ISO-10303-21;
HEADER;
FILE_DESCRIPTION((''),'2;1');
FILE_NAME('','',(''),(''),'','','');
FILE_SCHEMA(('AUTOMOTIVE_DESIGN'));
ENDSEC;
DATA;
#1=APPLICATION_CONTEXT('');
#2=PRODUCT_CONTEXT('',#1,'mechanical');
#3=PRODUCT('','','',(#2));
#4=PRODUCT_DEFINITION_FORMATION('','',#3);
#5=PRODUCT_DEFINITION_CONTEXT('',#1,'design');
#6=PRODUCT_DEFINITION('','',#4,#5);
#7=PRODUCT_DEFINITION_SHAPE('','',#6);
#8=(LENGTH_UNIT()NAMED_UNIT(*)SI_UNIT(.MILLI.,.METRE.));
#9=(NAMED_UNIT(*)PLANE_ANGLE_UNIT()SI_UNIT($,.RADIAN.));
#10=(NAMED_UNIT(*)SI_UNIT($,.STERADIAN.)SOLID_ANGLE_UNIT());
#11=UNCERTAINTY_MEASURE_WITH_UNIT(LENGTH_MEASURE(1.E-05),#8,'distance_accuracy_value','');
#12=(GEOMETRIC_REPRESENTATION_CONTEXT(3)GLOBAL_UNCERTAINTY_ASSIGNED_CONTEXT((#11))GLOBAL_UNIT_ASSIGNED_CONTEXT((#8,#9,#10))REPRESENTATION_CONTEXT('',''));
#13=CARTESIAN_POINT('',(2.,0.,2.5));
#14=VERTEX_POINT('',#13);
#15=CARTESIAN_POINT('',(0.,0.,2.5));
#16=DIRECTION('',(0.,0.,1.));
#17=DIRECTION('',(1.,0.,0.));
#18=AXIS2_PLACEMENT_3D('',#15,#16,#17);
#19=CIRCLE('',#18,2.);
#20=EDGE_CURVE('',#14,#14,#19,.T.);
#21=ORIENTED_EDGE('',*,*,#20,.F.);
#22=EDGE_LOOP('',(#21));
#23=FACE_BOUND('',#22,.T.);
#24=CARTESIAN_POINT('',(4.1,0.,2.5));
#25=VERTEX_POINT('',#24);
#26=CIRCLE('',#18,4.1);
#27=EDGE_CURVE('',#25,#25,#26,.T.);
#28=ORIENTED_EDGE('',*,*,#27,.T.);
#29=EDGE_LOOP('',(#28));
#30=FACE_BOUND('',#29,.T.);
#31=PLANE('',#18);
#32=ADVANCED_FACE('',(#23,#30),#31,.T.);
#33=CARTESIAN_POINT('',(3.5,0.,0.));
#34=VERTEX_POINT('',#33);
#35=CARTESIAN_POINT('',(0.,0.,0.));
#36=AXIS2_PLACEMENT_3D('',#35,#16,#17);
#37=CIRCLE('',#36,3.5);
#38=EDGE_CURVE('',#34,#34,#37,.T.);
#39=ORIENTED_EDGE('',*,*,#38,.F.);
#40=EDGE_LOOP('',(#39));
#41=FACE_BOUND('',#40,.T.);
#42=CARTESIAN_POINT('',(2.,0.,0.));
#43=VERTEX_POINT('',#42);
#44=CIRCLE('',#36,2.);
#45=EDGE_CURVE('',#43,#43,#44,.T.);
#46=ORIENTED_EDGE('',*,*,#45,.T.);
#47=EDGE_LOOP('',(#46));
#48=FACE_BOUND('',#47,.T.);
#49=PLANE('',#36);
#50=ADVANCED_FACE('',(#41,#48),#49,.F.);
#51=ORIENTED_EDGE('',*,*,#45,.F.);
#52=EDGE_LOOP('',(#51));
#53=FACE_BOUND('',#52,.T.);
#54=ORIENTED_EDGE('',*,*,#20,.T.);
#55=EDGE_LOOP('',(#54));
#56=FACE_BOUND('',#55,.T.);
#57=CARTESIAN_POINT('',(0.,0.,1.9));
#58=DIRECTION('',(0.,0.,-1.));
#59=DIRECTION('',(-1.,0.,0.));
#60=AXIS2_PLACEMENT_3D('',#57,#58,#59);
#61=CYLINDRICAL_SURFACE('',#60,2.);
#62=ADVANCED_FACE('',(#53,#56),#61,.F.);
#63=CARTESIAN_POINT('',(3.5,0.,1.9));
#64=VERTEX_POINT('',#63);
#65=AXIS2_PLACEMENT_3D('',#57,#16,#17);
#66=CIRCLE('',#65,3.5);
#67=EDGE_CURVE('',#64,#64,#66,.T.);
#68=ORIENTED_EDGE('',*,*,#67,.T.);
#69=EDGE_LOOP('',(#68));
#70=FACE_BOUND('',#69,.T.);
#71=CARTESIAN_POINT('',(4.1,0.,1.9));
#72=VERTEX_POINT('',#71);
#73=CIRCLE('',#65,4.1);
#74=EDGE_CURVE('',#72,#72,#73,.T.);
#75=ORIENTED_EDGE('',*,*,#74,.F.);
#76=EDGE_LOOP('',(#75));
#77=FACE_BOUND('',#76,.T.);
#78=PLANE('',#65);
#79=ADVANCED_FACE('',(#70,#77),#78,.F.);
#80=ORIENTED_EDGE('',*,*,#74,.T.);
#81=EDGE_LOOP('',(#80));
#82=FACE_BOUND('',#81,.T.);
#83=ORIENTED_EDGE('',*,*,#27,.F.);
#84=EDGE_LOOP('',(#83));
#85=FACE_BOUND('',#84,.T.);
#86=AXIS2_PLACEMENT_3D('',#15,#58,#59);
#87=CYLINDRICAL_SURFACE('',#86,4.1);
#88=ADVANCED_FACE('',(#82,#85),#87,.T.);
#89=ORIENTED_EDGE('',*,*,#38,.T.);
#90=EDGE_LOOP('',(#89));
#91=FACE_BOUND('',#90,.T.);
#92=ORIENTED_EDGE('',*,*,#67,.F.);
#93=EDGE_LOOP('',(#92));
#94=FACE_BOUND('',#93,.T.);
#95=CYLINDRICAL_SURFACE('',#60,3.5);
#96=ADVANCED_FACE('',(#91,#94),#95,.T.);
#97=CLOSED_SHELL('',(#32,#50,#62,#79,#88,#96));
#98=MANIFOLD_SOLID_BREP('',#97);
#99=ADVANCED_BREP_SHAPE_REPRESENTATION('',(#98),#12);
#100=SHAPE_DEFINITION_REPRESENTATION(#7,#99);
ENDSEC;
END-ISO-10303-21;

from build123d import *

# Parameters (mm, degrees)
SKETCH_1_R      = 3.5
SKETCH_1_R_2    = 2
EXTRUDE_1_DEPTH = 1.9
SKETCH_2_R      = 4.1
SKETCH_2_R_2    = 2
EXTRUDE_3_DEPTH = 0.6


with BuildPart() as part:
    # 草图1 → 凸台-拉伸1 (new body)
    with BuildSketch(Plane.XY):
        Circle(SKETCH_1_R)
        Circle(SKETCH_1_R_2, mode=Mode.SUBTRACT)
    extrude(amount=EXTRUDE_1_DEPTH)

    # 草图2 → 凸台-拉伸3 (add)
    with BuildSketch(Plane.XY.offset(1.9)):
        Circle(SKETCH_2_R)
        Circle(SKETCH_2_R_2, mode=Mode.SUBTRACT)
    extrude(amount=EXTRUDE_3_DEPTH)


solid = part.part
